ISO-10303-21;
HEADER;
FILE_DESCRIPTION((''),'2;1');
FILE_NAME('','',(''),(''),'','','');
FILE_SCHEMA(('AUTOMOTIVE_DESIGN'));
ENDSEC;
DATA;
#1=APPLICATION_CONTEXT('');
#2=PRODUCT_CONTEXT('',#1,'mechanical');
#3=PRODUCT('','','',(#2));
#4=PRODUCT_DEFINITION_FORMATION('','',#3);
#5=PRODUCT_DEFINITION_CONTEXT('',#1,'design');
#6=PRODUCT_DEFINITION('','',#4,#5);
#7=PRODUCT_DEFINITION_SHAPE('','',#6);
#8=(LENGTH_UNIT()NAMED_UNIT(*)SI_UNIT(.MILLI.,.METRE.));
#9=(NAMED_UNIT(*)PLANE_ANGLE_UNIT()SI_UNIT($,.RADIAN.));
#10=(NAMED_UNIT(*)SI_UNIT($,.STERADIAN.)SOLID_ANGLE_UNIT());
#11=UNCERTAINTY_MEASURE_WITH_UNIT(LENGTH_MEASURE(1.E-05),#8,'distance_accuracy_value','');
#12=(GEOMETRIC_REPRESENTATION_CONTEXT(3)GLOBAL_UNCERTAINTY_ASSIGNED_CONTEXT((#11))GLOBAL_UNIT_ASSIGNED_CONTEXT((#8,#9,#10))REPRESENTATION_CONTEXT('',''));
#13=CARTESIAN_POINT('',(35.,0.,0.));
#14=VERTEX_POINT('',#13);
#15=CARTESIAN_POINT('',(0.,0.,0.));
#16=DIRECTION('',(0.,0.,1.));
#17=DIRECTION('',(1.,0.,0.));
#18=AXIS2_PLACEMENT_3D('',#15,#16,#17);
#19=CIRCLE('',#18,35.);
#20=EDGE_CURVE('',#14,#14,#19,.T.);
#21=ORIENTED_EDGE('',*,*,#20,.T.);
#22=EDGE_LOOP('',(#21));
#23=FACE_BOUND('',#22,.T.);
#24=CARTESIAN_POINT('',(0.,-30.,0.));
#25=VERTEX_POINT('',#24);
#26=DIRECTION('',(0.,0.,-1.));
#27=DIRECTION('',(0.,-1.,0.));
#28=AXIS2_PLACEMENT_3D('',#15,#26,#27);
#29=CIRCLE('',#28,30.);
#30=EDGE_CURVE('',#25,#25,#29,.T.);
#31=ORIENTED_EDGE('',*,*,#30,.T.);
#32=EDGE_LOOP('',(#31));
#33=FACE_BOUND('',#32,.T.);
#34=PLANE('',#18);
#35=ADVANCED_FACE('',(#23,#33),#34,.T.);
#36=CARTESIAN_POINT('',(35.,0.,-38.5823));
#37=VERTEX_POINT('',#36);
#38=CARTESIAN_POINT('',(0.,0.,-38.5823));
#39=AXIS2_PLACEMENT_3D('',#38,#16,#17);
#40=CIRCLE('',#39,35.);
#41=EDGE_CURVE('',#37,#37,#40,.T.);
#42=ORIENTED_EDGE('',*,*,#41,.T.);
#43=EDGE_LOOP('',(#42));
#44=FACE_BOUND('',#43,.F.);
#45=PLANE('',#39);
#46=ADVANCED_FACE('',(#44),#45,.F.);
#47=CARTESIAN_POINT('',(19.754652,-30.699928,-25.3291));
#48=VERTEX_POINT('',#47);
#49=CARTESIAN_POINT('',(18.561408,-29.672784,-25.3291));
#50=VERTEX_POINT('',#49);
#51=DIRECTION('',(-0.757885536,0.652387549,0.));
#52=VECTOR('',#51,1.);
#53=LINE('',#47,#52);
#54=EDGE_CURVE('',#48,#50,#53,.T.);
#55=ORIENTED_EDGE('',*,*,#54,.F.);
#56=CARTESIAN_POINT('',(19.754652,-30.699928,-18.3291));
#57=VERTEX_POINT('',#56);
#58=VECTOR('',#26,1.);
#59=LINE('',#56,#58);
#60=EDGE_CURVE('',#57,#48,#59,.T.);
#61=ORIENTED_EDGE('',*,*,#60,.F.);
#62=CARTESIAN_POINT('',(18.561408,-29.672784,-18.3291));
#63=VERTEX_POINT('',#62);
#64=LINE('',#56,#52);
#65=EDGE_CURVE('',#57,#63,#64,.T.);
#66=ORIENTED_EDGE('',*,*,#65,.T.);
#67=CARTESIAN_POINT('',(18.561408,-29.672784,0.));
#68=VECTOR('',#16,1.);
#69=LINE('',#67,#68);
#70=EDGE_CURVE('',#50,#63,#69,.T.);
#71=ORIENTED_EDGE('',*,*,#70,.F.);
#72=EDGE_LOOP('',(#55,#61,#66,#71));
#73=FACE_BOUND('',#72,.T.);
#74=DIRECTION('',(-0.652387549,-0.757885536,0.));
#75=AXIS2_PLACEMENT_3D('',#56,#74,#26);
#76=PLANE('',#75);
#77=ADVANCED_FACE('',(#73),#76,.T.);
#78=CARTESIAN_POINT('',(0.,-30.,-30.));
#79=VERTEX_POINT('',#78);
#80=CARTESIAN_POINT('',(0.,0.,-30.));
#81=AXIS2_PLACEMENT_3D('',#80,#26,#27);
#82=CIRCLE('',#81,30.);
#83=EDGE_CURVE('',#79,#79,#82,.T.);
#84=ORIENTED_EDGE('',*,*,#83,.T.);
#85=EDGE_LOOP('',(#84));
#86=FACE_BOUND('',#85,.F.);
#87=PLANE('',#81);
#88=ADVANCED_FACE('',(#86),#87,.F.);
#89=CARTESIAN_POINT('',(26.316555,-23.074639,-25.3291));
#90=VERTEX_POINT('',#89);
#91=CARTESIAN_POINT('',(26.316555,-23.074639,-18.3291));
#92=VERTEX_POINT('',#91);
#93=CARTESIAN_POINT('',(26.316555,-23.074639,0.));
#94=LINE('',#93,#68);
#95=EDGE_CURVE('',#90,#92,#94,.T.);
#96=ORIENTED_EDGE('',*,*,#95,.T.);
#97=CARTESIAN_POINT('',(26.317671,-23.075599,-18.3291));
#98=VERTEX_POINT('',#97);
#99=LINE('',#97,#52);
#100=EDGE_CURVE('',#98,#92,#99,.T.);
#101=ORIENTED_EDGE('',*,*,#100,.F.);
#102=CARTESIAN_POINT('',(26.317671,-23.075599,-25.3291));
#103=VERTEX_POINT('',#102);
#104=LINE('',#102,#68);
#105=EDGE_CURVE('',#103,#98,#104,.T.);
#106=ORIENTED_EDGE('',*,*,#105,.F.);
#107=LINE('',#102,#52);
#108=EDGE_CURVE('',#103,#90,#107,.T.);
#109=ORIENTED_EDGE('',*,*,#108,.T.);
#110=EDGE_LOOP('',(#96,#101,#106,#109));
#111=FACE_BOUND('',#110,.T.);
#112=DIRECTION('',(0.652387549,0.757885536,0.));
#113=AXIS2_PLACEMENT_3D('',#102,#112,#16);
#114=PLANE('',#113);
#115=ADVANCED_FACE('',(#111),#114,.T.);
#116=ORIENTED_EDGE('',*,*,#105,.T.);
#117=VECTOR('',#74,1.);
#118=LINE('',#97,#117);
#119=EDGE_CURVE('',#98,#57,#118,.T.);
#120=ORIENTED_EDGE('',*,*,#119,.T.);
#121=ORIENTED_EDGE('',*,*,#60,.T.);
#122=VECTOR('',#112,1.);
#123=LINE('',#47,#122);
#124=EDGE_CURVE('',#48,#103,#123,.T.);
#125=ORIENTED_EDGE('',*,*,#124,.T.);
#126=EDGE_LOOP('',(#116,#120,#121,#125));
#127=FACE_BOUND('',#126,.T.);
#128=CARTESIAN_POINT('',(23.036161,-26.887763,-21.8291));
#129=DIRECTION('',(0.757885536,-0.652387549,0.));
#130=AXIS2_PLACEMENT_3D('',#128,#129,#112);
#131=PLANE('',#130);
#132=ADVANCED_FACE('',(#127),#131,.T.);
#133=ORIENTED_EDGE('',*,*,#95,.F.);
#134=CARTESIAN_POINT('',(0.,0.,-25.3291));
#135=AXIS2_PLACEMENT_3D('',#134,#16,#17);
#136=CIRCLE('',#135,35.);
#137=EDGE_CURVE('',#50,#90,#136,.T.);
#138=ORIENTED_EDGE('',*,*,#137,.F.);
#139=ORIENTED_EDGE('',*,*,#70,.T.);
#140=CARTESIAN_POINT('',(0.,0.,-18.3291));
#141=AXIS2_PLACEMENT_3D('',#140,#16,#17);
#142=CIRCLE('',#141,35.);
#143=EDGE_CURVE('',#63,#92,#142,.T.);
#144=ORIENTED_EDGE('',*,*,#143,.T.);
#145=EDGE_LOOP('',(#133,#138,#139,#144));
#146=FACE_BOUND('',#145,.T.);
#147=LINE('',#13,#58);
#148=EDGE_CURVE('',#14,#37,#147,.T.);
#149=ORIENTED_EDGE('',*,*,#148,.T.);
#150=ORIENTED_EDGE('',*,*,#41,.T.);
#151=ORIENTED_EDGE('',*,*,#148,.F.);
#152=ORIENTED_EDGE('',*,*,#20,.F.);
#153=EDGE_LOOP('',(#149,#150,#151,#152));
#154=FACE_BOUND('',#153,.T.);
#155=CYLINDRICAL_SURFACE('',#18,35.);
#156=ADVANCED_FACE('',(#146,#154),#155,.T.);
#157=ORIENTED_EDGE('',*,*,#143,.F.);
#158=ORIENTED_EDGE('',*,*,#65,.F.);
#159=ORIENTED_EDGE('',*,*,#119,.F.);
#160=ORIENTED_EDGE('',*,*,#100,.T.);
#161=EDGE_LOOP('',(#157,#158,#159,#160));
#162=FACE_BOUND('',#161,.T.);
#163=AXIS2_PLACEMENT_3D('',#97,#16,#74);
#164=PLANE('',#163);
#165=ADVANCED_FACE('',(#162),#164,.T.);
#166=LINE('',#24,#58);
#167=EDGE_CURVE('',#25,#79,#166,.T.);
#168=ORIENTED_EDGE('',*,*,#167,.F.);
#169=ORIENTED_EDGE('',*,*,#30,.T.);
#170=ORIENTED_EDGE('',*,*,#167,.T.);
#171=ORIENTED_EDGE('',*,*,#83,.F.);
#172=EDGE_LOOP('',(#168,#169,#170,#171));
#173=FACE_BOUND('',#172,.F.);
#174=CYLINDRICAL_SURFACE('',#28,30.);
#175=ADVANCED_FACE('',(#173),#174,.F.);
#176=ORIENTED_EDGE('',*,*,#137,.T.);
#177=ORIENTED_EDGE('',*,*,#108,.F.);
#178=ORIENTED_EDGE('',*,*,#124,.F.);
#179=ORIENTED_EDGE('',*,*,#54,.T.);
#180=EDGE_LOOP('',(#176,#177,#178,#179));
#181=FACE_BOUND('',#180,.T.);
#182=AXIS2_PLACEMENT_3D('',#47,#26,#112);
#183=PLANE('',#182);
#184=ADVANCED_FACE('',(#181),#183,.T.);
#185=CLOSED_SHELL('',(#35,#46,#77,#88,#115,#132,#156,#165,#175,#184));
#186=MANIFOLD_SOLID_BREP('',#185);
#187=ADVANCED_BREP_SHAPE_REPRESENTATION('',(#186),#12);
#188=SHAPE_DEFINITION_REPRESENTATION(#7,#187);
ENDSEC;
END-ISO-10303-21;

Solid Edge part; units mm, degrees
sketch "Sketch1" plane through (0, 0, 0) normal (0, 0, 1) x (1, 0, 0)
  circle A0 centre (0, 0) radius 35
extrude "Protrusion1" add sketch "Sketch1" against normal blind 38.5823
hole "Hole_3" at (0, 0, 0) direction (0, 0, -1) diameter 60 depth 30
sketch "Sketch2" plane through (26.5265, -22.833, -19.2912) normal (0.7579, -0.6524, 0) x (0, 0, 1)
  line L0 (-6.0379, 0.3201) -> (0.9621, 0.3201)
  line L1 (0.9621, 0.3201) -> (0.9621, 10.3801)
  line L2 (0.9621, 10.3801) -> (-6.0379, 10.3801)
  line L3 (-6.0379, 10.3801) -> (-6.0379, 0.3201)
  dimension "D1" = 7
  dimension "D2" = 10.06
extrude "Protrusion2" add sketch "Sketch2" against normal blind 1.6301
properties material "Galvanized steel"
